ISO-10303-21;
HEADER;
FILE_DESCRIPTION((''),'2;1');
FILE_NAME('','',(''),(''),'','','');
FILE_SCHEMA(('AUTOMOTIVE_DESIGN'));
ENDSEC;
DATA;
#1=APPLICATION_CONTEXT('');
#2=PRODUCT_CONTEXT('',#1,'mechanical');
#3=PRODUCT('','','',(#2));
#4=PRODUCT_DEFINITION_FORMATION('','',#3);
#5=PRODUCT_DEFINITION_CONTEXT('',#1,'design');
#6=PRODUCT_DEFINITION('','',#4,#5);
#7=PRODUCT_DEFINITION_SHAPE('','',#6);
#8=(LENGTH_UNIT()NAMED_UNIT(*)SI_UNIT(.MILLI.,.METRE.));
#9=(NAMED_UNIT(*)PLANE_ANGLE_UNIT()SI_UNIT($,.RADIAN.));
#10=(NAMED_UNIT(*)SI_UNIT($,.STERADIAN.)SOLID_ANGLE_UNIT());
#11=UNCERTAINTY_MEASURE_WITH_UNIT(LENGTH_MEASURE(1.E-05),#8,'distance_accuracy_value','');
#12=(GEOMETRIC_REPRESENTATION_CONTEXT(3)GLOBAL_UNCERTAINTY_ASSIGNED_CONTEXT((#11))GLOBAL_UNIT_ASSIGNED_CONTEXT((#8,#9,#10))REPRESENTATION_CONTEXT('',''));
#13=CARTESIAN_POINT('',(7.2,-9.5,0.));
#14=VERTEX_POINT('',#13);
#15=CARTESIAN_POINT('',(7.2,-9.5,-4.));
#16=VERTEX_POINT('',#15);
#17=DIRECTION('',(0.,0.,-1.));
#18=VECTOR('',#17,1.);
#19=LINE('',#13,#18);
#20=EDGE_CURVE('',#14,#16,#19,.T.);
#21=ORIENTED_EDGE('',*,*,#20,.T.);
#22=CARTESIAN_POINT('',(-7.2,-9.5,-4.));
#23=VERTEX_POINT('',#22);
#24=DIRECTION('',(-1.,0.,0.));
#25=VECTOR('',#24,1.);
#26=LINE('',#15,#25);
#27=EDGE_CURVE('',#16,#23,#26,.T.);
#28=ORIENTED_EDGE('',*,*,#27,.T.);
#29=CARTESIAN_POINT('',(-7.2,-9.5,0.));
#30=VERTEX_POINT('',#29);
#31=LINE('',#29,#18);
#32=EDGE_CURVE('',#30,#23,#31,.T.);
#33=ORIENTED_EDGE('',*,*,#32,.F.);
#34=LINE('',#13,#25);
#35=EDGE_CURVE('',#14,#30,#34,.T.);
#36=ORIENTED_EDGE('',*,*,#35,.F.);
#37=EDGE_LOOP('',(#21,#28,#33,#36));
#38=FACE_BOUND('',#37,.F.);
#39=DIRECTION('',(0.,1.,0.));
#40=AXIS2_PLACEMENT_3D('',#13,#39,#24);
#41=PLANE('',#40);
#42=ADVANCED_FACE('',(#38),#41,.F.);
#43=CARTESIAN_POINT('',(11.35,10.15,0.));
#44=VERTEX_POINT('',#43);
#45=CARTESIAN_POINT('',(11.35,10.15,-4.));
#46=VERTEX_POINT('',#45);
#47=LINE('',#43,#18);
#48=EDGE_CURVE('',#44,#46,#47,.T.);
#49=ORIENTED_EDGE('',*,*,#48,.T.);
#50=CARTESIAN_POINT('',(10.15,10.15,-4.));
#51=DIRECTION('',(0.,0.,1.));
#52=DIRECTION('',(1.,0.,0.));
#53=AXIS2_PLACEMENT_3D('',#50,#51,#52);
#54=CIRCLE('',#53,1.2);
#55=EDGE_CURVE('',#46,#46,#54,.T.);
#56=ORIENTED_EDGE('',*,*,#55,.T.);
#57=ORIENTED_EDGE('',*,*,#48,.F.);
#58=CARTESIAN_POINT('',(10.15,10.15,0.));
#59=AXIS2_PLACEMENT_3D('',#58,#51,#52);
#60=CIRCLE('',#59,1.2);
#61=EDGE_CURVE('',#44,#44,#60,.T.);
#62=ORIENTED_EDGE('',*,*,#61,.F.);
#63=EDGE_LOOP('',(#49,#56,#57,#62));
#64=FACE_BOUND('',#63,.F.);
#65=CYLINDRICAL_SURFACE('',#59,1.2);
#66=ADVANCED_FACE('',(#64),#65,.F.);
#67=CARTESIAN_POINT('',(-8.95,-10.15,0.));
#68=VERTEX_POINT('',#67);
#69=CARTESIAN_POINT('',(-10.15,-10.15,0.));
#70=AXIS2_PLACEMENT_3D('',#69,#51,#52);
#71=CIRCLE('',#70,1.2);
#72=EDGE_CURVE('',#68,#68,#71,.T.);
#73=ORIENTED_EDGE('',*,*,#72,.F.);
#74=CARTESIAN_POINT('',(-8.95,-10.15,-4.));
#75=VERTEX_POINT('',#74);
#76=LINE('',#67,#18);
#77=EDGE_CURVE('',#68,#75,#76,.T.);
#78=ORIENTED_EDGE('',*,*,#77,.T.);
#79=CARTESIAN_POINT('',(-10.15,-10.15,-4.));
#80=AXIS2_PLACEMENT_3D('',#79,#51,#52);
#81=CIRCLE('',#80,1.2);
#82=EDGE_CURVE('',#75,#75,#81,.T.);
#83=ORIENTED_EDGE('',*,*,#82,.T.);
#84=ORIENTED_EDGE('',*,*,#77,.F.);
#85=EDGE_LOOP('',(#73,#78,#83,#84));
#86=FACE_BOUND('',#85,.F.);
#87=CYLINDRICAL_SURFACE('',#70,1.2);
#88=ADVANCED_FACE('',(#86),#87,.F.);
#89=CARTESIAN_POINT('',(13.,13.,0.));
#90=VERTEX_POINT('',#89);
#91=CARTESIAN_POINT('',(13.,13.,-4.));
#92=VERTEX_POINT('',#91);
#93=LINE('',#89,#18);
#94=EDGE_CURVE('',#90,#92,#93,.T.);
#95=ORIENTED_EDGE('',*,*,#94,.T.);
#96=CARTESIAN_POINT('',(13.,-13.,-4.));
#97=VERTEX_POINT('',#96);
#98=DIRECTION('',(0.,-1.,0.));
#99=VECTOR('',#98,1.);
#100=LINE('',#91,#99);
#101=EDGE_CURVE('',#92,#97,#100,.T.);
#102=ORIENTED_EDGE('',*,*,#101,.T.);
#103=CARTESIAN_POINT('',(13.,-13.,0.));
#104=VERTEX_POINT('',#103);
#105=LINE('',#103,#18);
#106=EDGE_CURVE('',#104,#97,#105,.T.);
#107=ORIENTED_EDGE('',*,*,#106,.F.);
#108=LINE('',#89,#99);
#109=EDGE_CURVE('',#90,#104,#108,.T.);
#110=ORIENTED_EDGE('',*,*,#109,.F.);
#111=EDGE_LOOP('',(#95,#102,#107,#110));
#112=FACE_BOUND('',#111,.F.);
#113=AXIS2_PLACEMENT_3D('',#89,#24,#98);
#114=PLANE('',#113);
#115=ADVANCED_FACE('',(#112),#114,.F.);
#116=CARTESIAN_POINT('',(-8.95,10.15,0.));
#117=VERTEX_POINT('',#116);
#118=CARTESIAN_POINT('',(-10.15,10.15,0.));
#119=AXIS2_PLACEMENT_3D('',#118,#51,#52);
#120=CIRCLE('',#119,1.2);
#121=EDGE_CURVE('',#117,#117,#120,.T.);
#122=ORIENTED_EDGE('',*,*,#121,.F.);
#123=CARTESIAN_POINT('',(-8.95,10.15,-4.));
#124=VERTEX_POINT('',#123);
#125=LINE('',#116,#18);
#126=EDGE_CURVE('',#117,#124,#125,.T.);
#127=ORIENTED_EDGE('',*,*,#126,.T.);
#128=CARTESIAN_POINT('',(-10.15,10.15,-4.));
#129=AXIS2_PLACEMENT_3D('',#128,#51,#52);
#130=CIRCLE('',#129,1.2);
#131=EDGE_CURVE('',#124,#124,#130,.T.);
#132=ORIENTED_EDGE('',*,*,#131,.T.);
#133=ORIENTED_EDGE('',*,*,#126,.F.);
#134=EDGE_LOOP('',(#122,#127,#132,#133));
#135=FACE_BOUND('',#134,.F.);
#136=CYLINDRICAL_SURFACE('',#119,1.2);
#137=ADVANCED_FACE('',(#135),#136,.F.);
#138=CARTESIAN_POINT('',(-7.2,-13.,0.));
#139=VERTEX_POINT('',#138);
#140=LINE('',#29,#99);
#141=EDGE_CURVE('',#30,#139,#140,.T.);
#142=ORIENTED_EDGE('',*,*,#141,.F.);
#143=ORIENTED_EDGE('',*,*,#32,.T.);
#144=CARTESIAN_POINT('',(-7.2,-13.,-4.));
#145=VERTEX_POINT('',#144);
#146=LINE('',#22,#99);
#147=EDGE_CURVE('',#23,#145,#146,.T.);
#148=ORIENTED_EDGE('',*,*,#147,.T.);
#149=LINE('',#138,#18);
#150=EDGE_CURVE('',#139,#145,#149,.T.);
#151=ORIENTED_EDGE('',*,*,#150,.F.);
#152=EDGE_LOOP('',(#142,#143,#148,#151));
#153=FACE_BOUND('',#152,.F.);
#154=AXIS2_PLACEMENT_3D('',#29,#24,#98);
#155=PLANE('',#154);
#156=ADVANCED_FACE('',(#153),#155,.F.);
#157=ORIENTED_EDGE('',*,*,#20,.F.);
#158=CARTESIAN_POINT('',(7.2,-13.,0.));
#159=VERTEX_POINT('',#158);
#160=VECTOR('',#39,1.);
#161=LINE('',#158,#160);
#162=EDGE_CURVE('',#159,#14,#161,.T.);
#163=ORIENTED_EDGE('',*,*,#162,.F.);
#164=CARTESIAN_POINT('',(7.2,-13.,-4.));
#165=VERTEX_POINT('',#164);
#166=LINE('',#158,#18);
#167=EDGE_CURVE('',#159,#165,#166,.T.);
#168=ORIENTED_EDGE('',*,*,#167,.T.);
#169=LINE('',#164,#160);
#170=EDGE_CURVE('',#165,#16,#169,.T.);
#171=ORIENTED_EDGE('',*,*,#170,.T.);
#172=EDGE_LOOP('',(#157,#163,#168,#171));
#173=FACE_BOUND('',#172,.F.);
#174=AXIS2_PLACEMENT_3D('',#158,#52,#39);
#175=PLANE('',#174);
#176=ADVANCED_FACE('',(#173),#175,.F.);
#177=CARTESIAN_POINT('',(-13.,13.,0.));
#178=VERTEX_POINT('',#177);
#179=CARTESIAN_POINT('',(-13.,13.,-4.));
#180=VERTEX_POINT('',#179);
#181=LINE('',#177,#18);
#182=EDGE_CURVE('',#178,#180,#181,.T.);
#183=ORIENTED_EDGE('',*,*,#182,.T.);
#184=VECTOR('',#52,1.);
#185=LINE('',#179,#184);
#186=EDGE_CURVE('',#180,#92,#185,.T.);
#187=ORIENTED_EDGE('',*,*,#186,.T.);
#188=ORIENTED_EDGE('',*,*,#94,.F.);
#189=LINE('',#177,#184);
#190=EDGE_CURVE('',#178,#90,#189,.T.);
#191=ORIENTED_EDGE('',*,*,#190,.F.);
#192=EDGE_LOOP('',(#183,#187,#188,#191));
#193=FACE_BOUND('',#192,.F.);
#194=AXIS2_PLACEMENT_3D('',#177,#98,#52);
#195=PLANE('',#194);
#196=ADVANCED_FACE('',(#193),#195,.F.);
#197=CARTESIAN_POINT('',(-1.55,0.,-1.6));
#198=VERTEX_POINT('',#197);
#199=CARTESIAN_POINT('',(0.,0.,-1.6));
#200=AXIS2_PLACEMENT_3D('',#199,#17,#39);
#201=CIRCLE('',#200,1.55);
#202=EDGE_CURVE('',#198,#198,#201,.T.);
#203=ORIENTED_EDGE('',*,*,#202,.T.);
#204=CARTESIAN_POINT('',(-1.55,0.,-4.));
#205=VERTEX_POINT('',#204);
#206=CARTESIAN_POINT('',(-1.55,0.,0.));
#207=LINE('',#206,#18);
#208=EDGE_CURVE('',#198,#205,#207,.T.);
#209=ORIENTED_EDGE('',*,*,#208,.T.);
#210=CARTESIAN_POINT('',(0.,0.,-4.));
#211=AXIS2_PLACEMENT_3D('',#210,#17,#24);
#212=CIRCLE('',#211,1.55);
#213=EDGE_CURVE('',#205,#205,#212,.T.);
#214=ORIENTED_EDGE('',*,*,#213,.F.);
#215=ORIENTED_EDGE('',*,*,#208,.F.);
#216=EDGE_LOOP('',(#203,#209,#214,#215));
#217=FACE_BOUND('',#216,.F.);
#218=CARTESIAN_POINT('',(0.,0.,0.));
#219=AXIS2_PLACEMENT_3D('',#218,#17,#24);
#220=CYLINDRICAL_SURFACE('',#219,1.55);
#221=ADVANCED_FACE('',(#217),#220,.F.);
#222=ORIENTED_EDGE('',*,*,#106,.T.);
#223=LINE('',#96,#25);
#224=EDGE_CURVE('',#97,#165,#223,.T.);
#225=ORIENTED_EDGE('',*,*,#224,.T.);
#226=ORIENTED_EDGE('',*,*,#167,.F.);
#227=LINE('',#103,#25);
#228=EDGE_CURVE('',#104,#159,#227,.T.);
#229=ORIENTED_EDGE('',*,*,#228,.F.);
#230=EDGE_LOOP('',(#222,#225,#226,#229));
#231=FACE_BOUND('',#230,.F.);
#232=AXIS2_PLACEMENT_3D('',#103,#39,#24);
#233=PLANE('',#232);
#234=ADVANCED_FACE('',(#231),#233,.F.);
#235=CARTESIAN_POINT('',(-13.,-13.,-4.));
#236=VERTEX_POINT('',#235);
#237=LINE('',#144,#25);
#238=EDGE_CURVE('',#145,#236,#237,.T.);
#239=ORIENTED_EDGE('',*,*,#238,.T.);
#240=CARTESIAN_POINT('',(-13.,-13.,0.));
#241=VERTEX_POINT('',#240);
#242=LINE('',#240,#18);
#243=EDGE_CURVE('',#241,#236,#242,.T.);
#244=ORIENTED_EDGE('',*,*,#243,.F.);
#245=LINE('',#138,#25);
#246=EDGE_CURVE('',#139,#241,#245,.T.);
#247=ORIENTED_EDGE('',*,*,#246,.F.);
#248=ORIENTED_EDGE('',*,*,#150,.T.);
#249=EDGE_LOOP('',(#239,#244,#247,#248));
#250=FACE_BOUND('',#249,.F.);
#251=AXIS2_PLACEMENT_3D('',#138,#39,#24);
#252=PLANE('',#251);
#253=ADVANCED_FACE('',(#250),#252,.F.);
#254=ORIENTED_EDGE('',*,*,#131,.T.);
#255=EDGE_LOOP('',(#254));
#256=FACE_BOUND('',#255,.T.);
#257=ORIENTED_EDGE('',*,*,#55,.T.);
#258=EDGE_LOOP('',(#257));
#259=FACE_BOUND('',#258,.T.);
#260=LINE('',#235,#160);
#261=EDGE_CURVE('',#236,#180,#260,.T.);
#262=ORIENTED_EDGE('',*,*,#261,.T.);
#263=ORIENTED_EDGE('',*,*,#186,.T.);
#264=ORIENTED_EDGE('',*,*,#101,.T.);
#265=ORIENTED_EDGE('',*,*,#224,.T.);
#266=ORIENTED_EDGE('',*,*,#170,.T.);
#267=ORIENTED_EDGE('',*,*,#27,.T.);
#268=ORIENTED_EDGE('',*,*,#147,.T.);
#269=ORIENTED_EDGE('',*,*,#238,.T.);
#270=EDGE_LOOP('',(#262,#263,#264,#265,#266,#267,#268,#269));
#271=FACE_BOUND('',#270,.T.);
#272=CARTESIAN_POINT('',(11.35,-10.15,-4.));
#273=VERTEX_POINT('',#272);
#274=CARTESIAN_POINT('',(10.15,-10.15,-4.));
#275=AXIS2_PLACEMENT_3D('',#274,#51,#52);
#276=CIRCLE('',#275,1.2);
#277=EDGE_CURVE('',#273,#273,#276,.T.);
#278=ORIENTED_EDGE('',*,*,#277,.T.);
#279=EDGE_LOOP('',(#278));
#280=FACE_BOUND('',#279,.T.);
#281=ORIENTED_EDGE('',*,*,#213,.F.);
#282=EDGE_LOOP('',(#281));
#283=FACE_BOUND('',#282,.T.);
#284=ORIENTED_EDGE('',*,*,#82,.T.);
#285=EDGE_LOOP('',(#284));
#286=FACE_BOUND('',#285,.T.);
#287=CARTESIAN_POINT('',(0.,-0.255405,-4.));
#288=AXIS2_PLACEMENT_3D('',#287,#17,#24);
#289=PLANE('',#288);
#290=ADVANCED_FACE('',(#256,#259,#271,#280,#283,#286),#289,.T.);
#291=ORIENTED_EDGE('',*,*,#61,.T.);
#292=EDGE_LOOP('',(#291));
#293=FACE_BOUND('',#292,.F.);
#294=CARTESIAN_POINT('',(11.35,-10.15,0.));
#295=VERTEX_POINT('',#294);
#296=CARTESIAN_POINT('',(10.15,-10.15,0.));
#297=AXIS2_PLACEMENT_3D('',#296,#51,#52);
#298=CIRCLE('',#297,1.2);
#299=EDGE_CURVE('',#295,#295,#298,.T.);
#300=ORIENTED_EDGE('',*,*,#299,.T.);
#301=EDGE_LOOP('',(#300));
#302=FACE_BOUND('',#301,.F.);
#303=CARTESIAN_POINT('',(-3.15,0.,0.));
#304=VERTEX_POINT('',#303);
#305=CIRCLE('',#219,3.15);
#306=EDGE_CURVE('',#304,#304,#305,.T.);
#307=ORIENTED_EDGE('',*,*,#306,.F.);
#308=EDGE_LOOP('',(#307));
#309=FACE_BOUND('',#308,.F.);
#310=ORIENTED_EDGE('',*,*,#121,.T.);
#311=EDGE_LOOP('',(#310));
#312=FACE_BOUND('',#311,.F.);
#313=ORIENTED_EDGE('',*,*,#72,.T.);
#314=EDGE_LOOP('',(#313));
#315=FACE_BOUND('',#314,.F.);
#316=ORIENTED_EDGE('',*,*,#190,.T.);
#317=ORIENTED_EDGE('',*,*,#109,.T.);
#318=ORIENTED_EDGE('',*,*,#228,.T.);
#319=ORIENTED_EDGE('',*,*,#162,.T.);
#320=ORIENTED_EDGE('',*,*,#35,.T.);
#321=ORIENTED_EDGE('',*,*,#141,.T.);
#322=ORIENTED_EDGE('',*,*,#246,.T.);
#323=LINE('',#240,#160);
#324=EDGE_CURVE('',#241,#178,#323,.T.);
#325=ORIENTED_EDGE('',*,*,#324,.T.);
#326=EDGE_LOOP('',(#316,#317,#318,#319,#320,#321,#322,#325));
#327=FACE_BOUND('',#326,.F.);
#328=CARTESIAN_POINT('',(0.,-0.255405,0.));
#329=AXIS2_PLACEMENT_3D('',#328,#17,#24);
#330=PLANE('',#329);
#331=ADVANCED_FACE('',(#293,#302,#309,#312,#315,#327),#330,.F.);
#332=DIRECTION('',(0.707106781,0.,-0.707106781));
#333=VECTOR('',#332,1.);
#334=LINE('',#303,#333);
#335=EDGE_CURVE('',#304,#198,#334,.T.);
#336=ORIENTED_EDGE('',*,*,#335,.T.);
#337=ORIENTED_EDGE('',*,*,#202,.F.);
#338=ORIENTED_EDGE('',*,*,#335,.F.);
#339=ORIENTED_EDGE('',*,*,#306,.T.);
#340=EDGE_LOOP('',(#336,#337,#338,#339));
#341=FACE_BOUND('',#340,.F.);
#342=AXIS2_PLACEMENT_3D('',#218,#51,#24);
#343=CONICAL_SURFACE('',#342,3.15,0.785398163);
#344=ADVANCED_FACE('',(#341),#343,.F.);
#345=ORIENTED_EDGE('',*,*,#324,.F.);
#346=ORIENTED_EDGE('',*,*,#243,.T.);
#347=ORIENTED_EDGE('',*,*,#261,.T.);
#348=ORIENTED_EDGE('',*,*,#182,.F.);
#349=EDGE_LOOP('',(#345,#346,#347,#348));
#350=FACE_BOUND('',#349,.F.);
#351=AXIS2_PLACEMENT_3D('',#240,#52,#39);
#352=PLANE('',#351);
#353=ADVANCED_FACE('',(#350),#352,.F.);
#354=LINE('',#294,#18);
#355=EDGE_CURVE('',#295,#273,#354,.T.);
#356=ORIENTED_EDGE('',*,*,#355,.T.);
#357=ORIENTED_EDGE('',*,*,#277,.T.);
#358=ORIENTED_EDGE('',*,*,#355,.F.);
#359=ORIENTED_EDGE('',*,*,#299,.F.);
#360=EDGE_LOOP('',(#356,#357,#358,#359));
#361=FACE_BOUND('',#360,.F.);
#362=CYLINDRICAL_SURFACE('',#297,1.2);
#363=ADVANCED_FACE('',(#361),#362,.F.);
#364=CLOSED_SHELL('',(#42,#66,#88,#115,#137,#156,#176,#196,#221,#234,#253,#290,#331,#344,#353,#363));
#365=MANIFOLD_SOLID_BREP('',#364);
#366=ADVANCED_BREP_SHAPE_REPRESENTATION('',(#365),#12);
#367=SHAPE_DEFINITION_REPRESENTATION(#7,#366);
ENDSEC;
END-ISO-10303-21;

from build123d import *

# Parameters (mm, degrees)
PAD_DEPTH        = 4
HOLE_D           = 3.1
HOLE_CSINK_D     = 6.3
HOLE_CSINK_ANGLE = 90
SKETCH002_R      = 1.2
HOLE001_DEPTH    = 4.001


with BuildPart() as part:
    # Sketch → Pad (new body)
    with BuildSketch(Plane.XY):
        Polygon((-13, -13), (-13, 13), (13, 13), (13, -13), (7.2, -13), (7.2, -9.5), (-7.2, -9.5), (-7.2, -13), align=None)
    extrude(amount=-PAD_DEPTH)

    # Hole (through all)
    with Locations(Plane.XY):
        with Locations((0, 0)):
            CounterSinkHole(HOLE_D / 2, HOLE_CSINK_D / 2, counter_sink_angle=HOLE_CSINK_ANGLE)

    # Sketch002 → Hole001 (cut, through all)
    with BuildSketch(Plane.XY):
        with Locations((-10.15, 10.15)):
            Circle(SKETCH002_R)
        with Locations((10.15, 10.15)):
            Circle(SKETCH002_R)
        with Locations((10.15, -10.15)):
            Circle(SKETCH002_R)
        with Locations((-10.15, -10.15)):
            Circle(SKETCH002_R)
    extrude(amount=-HOLE001_DEPTH, mode=Mode.SUBTRACT)


solid = part.part
